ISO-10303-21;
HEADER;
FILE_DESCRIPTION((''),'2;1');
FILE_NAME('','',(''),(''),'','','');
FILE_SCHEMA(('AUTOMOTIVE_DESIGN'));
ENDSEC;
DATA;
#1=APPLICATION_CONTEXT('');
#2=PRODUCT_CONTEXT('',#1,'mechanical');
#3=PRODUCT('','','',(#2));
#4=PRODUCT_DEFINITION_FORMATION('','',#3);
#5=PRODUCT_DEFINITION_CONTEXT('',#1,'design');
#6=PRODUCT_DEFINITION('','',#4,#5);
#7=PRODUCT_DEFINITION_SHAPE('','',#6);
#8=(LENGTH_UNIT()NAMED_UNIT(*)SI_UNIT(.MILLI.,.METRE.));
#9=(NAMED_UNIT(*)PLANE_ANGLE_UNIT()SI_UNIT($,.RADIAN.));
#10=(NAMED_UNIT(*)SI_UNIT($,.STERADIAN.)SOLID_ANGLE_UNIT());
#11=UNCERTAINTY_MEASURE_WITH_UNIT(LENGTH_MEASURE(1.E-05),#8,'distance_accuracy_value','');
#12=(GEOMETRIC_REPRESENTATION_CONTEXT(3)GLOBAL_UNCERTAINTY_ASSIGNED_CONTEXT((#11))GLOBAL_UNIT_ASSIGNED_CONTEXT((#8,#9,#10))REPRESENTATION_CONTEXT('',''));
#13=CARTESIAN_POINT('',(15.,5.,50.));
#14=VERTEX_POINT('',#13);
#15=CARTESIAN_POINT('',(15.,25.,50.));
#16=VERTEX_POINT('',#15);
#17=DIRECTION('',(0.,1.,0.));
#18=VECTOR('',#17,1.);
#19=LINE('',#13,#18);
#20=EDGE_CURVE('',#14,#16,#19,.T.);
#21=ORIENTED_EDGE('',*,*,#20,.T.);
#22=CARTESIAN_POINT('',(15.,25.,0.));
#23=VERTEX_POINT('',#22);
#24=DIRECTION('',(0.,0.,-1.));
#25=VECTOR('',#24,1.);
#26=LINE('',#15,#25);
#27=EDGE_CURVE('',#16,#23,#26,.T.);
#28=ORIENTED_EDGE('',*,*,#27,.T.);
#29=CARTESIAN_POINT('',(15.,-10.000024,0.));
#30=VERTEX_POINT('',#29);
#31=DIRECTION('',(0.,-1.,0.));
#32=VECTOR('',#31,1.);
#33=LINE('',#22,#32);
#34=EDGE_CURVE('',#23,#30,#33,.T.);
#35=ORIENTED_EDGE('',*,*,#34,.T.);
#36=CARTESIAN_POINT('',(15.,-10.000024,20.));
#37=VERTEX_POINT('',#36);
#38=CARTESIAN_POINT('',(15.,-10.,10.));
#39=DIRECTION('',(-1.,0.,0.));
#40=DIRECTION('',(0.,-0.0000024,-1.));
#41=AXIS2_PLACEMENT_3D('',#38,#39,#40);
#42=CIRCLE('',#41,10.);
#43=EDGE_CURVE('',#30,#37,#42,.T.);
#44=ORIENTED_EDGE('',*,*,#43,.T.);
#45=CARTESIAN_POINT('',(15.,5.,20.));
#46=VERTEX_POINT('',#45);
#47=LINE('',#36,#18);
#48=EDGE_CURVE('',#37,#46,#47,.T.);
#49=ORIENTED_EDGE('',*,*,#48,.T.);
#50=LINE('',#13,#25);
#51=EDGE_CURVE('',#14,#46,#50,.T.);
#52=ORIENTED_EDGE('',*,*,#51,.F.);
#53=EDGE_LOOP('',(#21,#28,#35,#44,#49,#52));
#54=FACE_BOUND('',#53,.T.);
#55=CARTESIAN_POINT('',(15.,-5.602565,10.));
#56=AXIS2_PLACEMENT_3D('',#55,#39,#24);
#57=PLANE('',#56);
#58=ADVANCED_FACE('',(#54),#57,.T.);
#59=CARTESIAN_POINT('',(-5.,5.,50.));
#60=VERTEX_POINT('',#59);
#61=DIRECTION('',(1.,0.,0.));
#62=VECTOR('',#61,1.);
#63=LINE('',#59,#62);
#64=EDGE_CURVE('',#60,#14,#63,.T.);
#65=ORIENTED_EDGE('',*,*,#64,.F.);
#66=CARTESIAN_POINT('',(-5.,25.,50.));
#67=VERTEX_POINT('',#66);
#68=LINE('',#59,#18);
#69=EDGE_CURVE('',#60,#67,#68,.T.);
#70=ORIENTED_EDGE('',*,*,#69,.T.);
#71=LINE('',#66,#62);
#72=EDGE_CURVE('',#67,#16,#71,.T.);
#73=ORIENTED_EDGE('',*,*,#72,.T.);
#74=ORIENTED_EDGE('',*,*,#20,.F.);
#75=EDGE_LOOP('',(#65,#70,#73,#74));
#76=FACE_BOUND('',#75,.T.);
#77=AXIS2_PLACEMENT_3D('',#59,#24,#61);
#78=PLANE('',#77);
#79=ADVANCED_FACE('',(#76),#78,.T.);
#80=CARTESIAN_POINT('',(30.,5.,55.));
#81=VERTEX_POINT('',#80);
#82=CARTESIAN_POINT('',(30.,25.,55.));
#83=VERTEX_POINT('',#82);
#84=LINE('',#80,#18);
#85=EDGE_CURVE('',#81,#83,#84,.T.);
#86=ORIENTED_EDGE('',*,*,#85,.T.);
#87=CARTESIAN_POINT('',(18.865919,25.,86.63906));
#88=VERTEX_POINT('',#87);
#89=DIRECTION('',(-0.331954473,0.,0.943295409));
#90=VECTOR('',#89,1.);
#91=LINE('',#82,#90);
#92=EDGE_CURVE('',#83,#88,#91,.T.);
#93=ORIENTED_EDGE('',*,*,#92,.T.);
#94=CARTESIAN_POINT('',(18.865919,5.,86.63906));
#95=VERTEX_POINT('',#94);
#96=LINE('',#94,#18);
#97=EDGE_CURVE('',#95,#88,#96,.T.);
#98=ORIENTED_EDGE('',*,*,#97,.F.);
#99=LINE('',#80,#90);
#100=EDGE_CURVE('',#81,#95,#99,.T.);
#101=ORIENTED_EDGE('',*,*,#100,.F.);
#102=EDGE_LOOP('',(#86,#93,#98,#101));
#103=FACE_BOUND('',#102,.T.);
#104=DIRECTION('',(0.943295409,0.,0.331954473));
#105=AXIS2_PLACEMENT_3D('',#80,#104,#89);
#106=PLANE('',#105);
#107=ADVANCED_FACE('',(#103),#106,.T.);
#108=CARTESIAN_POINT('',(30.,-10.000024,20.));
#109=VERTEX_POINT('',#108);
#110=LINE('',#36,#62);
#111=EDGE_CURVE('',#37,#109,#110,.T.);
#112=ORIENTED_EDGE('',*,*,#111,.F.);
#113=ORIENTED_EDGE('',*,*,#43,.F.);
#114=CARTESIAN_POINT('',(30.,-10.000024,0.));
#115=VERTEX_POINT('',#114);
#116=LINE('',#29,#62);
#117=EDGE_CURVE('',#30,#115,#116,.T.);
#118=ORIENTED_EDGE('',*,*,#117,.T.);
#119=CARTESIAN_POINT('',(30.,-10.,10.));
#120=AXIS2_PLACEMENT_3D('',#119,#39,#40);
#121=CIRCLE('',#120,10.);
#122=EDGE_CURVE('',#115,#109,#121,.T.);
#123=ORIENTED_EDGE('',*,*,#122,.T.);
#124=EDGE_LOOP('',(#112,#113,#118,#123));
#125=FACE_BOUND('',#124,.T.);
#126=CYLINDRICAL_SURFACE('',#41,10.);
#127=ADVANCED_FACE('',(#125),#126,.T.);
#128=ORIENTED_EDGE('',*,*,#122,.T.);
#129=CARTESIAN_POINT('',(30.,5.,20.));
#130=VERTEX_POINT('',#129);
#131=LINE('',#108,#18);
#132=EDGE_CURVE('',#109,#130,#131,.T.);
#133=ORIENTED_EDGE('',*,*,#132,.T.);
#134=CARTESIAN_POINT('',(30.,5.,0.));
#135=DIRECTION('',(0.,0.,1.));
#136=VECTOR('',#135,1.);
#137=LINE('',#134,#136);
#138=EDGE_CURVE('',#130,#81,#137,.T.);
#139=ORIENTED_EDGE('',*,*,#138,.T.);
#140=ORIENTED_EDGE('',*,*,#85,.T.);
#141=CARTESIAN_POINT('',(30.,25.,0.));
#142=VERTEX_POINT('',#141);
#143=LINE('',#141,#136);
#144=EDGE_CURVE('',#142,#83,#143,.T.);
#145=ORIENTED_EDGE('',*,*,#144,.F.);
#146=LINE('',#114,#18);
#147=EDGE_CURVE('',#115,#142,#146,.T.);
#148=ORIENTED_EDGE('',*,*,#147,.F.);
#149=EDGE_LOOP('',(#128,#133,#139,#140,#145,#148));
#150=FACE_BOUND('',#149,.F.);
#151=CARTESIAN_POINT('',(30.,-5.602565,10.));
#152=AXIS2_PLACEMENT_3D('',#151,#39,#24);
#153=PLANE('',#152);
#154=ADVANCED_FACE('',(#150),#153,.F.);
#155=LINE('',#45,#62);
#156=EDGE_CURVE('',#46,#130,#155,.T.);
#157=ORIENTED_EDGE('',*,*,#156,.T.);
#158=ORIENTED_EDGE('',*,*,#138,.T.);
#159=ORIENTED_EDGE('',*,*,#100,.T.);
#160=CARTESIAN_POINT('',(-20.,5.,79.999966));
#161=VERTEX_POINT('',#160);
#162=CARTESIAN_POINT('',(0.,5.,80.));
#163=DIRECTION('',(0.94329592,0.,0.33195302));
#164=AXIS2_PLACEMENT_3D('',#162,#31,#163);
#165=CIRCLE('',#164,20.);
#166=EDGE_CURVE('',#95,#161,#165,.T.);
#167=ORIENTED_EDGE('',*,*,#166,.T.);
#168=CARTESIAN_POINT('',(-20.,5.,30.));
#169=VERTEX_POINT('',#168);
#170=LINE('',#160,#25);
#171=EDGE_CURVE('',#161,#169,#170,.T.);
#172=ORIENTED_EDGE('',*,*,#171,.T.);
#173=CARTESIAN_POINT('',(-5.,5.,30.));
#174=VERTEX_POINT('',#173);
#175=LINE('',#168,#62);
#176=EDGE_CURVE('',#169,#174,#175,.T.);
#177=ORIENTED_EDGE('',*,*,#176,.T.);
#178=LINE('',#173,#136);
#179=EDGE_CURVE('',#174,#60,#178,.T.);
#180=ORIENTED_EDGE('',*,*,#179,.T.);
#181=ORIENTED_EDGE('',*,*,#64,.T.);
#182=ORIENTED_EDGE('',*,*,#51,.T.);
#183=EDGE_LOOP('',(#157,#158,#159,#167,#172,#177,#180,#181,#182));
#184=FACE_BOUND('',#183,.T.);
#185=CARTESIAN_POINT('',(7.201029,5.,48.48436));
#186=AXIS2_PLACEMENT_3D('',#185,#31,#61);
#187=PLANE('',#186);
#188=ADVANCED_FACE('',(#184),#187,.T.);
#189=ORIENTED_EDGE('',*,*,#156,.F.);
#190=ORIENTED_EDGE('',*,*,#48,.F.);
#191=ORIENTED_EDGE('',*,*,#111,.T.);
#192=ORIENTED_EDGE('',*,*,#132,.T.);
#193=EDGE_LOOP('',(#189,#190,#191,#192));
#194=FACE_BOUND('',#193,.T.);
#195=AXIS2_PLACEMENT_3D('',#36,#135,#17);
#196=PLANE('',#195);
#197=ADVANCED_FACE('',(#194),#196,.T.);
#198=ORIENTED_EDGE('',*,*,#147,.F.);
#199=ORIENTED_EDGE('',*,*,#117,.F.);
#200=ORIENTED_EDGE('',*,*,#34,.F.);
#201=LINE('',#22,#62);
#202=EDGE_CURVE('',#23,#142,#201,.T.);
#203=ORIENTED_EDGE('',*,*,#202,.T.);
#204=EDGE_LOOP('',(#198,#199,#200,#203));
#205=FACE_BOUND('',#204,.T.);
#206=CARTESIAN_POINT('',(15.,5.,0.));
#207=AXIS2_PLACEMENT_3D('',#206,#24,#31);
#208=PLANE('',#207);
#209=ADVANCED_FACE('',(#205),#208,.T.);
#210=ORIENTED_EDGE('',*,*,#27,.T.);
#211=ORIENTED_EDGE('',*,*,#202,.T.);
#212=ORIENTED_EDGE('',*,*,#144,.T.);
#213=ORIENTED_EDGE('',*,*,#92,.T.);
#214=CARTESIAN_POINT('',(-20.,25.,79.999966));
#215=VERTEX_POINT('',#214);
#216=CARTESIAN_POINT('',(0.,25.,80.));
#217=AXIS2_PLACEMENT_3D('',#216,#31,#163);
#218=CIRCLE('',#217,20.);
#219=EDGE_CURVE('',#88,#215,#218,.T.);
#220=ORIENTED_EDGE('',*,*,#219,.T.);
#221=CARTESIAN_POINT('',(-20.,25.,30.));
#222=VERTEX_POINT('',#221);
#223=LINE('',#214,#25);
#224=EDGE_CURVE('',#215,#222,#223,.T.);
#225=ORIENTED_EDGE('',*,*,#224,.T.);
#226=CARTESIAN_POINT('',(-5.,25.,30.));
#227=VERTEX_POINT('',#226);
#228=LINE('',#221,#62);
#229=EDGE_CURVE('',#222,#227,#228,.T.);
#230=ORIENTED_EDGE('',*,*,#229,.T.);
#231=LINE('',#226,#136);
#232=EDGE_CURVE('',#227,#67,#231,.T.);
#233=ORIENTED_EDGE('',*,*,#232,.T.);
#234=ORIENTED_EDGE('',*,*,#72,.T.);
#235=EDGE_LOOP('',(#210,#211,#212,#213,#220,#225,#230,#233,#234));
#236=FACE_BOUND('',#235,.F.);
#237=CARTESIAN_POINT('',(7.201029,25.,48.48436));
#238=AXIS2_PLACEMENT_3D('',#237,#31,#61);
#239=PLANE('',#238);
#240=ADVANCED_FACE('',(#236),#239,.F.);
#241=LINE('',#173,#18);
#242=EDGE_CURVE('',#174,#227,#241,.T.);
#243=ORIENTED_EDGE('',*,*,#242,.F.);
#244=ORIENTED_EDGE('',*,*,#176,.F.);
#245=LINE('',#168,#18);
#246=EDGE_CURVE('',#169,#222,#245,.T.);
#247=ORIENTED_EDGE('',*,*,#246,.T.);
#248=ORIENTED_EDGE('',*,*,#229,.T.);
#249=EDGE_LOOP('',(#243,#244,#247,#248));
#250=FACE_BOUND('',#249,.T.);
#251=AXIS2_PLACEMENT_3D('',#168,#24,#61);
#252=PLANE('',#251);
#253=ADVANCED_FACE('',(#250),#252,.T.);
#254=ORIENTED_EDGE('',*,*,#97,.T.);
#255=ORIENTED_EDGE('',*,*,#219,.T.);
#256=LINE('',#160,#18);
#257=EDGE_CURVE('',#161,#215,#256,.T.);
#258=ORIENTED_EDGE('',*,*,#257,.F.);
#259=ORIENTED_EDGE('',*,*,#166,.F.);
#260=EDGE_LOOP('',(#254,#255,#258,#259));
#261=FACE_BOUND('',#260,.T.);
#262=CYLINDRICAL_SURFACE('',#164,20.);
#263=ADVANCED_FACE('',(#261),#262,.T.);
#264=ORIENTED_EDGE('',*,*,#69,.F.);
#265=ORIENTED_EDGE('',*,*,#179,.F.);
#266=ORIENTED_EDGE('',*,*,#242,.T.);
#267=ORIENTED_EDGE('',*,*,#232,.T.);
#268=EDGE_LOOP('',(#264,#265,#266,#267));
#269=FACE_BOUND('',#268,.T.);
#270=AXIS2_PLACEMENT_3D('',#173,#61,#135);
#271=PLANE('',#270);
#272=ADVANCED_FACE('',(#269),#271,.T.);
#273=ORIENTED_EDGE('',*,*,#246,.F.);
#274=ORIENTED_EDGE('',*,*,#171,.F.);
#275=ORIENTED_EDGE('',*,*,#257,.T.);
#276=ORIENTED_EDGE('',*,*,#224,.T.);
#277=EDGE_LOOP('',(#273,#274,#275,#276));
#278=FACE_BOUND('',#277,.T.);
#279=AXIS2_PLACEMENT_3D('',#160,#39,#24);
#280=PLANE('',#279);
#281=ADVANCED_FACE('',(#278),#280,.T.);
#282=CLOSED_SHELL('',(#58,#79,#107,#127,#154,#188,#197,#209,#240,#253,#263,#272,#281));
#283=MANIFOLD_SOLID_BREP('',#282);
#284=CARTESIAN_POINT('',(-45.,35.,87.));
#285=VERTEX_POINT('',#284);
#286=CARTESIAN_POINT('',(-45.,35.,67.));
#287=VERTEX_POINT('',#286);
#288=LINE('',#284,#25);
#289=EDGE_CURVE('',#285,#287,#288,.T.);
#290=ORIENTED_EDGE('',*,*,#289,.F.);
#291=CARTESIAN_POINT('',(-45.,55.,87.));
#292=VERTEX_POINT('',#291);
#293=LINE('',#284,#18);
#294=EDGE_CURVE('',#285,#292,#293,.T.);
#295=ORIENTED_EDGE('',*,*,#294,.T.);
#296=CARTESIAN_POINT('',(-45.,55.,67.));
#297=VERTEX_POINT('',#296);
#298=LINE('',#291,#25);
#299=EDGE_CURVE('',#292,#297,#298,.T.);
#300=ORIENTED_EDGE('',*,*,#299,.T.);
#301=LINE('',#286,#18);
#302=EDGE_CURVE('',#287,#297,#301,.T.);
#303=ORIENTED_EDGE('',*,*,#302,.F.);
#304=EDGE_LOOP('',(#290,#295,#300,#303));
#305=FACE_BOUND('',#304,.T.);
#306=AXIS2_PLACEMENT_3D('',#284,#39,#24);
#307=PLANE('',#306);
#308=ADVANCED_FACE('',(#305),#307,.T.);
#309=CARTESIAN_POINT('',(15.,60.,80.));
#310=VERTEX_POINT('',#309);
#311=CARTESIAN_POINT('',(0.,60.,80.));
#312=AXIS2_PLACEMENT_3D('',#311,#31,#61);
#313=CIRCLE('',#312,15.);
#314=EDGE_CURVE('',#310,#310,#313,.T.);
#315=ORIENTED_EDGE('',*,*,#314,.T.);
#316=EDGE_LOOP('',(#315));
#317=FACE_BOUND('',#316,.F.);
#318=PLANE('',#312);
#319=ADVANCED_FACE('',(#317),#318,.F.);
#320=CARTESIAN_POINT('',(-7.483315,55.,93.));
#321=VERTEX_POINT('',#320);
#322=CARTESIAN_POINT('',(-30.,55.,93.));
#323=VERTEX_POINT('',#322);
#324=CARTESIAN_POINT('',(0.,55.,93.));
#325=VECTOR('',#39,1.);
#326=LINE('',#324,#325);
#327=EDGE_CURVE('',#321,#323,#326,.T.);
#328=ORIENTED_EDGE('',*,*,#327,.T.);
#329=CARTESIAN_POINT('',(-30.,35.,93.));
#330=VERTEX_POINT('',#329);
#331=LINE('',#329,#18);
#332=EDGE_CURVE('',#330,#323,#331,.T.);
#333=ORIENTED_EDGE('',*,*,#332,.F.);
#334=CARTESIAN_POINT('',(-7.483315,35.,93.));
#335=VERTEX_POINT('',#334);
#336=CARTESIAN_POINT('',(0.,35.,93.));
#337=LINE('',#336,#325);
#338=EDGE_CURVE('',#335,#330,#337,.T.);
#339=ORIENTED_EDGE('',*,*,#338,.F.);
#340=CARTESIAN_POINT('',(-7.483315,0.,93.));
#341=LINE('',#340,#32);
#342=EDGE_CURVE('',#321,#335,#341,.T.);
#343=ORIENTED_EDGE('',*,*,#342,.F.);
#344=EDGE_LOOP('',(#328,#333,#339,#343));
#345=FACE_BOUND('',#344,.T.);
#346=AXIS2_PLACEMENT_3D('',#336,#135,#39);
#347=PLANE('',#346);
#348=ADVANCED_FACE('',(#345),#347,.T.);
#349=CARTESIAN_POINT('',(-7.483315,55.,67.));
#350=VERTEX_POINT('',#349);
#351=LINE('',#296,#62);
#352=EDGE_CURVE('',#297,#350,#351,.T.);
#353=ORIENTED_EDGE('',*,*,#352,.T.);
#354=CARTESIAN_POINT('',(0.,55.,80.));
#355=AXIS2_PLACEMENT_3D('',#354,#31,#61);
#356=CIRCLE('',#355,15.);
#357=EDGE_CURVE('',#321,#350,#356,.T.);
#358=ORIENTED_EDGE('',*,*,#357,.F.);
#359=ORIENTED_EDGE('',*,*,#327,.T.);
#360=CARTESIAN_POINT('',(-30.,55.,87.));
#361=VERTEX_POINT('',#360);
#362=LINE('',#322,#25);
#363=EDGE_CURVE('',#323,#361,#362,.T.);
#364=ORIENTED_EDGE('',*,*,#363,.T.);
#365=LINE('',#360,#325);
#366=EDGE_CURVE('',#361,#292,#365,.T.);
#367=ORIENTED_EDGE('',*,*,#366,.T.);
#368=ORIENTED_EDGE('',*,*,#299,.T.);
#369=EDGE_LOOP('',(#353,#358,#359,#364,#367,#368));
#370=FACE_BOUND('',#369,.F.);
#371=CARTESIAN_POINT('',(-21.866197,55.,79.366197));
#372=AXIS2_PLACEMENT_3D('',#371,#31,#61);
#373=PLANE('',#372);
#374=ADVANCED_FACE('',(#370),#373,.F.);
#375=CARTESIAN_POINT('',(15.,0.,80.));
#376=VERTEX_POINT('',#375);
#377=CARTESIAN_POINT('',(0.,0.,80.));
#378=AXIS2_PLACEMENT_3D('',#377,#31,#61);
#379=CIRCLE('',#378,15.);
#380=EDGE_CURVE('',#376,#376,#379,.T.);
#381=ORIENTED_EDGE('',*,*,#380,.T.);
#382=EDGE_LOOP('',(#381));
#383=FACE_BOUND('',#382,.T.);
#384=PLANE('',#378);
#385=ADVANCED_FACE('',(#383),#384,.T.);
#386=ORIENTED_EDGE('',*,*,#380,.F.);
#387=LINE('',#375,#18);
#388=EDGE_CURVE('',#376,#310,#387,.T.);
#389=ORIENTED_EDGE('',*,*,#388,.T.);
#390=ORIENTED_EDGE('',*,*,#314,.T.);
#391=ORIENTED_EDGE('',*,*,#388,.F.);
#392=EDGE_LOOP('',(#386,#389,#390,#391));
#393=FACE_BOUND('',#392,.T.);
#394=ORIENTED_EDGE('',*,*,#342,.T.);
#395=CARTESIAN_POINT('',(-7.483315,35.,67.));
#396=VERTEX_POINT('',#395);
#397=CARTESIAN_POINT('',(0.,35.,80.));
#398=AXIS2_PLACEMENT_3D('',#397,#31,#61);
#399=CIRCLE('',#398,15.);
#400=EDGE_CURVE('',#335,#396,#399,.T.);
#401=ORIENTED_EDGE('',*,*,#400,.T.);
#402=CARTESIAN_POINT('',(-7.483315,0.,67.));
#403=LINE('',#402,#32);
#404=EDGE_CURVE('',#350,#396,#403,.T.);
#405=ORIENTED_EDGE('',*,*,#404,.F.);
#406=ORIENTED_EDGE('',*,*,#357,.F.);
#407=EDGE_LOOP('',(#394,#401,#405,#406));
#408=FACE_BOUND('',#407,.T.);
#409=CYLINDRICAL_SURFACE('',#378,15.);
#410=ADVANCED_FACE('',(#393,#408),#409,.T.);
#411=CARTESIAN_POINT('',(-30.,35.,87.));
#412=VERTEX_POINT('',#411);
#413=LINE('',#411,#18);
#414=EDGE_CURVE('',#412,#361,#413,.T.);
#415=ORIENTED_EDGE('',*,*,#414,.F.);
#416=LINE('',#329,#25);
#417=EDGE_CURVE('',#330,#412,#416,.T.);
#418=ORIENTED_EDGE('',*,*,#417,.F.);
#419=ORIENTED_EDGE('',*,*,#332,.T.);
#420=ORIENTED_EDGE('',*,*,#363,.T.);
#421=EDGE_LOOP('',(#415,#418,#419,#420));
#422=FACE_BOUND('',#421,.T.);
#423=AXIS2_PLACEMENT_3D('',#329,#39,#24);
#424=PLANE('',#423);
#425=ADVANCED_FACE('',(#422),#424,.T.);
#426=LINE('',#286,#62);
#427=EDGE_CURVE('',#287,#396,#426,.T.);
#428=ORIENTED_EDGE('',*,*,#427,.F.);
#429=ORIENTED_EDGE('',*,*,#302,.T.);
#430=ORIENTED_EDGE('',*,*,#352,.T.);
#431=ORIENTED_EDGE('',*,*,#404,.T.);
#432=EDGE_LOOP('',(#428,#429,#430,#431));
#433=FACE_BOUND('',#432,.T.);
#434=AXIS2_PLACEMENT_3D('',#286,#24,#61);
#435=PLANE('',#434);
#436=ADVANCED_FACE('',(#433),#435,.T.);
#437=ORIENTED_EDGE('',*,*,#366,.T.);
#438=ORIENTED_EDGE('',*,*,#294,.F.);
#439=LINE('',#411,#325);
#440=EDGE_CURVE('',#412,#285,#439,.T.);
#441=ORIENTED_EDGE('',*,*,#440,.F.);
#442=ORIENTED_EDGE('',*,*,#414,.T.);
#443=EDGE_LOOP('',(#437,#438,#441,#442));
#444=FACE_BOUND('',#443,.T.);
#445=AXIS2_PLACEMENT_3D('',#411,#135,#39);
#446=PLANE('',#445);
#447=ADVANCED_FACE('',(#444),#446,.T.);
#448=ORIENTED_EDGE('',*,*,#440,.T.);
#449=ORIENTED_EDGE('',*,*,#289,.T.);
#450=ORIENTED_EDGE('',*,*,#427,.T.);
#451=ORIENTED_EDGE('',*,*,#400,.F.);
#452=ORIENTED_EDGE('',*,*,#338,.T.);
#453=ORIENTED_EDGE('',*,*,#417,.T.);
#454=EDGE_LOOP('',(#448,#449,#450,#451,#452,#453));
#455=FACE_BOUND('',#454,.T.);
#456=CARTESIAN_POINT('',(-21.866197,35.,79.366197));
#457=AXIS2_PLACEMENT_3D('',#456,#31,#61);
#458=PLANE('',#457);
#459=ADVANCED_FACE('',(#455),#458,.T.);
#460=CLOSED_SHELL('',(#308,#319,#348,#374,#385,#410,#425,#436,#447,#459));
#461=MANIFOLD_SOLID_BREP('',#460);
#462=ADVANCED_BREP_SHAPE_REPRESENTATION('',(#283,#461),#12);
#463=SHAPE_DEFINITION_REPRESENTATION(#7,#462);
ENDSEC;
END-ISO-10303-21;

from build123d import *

# Parameters (mm, degrees)
PAD001_DEPTH = 20
SKETCH_R     = 15
PAD_DEPTH    = 60
PAD002_DEPTH = 20
PAD003_DEPTH = 15


with BuildPart() as pad001:
    # Sketch001 → Pad001 (new body)
    with BuildSketch(Plane.XZ.offset(-35)):
        Polygon((0, 93), (-30, 93), (-30, 87), (-45, 87), (-45, 67), (0, 67), align=None)
    extrude(amount=-PAD001_DEPTH)


with BuildPart() as fusion:
    # Sketch → Pad (new body)
    with BuildSketch(Plane.XZ):
        with Locations((0, 80)):
            Circle(SKETCH_R)
    extrude(amount=-PAD_DEPTH)

    # Fusion: union Pad001
    add(pad001.part)


with BuildPart() as pad003:
    # Sketch002 → Pad002 (new body)
    with BuildSketch(Plane.XZ.offset(-5)):
        with BuildLine():
            Line((-20, 79.999966), (-20, 30))
            Line((-20, 30), (-5, 30))
            Line((-5, 30), (-5, 50))
            Line((-5, 50), (15, 50))
            Line((15, 50), (15, 0))
            Line((15, 0), (30, 0))
            Line((30, 0), (30, 55))
            Line((30, 55), (18.865919, 86.63906))
            ThreePointArc((18.865919, 86.63906), (-3.367629, 99.714438), (-20, 79.999966))
        make_face()
    extrude(amount=-PAD002_DEPTH)

    # Sketch003 → Pad003 (new body)
    with BuildSketch(Plane(origin=(15, 5, 0), x_dir=(0, 0, -1), z_dir=(-1, 0, 0))):
        with BuildLine():
            Line((-20, 15.000024), (-20, 0))
            Line((-20, 0), (0, 0))
            Line((0, 0), (0, 15.000024))
            ThreePointArc((0, 15.000024), (-10, 25), (-20, 15.000024))
        make_face()
    extrude(amount=-PAD003_DEPTH)


solid = Compound([fusion.part, pad003.part])
